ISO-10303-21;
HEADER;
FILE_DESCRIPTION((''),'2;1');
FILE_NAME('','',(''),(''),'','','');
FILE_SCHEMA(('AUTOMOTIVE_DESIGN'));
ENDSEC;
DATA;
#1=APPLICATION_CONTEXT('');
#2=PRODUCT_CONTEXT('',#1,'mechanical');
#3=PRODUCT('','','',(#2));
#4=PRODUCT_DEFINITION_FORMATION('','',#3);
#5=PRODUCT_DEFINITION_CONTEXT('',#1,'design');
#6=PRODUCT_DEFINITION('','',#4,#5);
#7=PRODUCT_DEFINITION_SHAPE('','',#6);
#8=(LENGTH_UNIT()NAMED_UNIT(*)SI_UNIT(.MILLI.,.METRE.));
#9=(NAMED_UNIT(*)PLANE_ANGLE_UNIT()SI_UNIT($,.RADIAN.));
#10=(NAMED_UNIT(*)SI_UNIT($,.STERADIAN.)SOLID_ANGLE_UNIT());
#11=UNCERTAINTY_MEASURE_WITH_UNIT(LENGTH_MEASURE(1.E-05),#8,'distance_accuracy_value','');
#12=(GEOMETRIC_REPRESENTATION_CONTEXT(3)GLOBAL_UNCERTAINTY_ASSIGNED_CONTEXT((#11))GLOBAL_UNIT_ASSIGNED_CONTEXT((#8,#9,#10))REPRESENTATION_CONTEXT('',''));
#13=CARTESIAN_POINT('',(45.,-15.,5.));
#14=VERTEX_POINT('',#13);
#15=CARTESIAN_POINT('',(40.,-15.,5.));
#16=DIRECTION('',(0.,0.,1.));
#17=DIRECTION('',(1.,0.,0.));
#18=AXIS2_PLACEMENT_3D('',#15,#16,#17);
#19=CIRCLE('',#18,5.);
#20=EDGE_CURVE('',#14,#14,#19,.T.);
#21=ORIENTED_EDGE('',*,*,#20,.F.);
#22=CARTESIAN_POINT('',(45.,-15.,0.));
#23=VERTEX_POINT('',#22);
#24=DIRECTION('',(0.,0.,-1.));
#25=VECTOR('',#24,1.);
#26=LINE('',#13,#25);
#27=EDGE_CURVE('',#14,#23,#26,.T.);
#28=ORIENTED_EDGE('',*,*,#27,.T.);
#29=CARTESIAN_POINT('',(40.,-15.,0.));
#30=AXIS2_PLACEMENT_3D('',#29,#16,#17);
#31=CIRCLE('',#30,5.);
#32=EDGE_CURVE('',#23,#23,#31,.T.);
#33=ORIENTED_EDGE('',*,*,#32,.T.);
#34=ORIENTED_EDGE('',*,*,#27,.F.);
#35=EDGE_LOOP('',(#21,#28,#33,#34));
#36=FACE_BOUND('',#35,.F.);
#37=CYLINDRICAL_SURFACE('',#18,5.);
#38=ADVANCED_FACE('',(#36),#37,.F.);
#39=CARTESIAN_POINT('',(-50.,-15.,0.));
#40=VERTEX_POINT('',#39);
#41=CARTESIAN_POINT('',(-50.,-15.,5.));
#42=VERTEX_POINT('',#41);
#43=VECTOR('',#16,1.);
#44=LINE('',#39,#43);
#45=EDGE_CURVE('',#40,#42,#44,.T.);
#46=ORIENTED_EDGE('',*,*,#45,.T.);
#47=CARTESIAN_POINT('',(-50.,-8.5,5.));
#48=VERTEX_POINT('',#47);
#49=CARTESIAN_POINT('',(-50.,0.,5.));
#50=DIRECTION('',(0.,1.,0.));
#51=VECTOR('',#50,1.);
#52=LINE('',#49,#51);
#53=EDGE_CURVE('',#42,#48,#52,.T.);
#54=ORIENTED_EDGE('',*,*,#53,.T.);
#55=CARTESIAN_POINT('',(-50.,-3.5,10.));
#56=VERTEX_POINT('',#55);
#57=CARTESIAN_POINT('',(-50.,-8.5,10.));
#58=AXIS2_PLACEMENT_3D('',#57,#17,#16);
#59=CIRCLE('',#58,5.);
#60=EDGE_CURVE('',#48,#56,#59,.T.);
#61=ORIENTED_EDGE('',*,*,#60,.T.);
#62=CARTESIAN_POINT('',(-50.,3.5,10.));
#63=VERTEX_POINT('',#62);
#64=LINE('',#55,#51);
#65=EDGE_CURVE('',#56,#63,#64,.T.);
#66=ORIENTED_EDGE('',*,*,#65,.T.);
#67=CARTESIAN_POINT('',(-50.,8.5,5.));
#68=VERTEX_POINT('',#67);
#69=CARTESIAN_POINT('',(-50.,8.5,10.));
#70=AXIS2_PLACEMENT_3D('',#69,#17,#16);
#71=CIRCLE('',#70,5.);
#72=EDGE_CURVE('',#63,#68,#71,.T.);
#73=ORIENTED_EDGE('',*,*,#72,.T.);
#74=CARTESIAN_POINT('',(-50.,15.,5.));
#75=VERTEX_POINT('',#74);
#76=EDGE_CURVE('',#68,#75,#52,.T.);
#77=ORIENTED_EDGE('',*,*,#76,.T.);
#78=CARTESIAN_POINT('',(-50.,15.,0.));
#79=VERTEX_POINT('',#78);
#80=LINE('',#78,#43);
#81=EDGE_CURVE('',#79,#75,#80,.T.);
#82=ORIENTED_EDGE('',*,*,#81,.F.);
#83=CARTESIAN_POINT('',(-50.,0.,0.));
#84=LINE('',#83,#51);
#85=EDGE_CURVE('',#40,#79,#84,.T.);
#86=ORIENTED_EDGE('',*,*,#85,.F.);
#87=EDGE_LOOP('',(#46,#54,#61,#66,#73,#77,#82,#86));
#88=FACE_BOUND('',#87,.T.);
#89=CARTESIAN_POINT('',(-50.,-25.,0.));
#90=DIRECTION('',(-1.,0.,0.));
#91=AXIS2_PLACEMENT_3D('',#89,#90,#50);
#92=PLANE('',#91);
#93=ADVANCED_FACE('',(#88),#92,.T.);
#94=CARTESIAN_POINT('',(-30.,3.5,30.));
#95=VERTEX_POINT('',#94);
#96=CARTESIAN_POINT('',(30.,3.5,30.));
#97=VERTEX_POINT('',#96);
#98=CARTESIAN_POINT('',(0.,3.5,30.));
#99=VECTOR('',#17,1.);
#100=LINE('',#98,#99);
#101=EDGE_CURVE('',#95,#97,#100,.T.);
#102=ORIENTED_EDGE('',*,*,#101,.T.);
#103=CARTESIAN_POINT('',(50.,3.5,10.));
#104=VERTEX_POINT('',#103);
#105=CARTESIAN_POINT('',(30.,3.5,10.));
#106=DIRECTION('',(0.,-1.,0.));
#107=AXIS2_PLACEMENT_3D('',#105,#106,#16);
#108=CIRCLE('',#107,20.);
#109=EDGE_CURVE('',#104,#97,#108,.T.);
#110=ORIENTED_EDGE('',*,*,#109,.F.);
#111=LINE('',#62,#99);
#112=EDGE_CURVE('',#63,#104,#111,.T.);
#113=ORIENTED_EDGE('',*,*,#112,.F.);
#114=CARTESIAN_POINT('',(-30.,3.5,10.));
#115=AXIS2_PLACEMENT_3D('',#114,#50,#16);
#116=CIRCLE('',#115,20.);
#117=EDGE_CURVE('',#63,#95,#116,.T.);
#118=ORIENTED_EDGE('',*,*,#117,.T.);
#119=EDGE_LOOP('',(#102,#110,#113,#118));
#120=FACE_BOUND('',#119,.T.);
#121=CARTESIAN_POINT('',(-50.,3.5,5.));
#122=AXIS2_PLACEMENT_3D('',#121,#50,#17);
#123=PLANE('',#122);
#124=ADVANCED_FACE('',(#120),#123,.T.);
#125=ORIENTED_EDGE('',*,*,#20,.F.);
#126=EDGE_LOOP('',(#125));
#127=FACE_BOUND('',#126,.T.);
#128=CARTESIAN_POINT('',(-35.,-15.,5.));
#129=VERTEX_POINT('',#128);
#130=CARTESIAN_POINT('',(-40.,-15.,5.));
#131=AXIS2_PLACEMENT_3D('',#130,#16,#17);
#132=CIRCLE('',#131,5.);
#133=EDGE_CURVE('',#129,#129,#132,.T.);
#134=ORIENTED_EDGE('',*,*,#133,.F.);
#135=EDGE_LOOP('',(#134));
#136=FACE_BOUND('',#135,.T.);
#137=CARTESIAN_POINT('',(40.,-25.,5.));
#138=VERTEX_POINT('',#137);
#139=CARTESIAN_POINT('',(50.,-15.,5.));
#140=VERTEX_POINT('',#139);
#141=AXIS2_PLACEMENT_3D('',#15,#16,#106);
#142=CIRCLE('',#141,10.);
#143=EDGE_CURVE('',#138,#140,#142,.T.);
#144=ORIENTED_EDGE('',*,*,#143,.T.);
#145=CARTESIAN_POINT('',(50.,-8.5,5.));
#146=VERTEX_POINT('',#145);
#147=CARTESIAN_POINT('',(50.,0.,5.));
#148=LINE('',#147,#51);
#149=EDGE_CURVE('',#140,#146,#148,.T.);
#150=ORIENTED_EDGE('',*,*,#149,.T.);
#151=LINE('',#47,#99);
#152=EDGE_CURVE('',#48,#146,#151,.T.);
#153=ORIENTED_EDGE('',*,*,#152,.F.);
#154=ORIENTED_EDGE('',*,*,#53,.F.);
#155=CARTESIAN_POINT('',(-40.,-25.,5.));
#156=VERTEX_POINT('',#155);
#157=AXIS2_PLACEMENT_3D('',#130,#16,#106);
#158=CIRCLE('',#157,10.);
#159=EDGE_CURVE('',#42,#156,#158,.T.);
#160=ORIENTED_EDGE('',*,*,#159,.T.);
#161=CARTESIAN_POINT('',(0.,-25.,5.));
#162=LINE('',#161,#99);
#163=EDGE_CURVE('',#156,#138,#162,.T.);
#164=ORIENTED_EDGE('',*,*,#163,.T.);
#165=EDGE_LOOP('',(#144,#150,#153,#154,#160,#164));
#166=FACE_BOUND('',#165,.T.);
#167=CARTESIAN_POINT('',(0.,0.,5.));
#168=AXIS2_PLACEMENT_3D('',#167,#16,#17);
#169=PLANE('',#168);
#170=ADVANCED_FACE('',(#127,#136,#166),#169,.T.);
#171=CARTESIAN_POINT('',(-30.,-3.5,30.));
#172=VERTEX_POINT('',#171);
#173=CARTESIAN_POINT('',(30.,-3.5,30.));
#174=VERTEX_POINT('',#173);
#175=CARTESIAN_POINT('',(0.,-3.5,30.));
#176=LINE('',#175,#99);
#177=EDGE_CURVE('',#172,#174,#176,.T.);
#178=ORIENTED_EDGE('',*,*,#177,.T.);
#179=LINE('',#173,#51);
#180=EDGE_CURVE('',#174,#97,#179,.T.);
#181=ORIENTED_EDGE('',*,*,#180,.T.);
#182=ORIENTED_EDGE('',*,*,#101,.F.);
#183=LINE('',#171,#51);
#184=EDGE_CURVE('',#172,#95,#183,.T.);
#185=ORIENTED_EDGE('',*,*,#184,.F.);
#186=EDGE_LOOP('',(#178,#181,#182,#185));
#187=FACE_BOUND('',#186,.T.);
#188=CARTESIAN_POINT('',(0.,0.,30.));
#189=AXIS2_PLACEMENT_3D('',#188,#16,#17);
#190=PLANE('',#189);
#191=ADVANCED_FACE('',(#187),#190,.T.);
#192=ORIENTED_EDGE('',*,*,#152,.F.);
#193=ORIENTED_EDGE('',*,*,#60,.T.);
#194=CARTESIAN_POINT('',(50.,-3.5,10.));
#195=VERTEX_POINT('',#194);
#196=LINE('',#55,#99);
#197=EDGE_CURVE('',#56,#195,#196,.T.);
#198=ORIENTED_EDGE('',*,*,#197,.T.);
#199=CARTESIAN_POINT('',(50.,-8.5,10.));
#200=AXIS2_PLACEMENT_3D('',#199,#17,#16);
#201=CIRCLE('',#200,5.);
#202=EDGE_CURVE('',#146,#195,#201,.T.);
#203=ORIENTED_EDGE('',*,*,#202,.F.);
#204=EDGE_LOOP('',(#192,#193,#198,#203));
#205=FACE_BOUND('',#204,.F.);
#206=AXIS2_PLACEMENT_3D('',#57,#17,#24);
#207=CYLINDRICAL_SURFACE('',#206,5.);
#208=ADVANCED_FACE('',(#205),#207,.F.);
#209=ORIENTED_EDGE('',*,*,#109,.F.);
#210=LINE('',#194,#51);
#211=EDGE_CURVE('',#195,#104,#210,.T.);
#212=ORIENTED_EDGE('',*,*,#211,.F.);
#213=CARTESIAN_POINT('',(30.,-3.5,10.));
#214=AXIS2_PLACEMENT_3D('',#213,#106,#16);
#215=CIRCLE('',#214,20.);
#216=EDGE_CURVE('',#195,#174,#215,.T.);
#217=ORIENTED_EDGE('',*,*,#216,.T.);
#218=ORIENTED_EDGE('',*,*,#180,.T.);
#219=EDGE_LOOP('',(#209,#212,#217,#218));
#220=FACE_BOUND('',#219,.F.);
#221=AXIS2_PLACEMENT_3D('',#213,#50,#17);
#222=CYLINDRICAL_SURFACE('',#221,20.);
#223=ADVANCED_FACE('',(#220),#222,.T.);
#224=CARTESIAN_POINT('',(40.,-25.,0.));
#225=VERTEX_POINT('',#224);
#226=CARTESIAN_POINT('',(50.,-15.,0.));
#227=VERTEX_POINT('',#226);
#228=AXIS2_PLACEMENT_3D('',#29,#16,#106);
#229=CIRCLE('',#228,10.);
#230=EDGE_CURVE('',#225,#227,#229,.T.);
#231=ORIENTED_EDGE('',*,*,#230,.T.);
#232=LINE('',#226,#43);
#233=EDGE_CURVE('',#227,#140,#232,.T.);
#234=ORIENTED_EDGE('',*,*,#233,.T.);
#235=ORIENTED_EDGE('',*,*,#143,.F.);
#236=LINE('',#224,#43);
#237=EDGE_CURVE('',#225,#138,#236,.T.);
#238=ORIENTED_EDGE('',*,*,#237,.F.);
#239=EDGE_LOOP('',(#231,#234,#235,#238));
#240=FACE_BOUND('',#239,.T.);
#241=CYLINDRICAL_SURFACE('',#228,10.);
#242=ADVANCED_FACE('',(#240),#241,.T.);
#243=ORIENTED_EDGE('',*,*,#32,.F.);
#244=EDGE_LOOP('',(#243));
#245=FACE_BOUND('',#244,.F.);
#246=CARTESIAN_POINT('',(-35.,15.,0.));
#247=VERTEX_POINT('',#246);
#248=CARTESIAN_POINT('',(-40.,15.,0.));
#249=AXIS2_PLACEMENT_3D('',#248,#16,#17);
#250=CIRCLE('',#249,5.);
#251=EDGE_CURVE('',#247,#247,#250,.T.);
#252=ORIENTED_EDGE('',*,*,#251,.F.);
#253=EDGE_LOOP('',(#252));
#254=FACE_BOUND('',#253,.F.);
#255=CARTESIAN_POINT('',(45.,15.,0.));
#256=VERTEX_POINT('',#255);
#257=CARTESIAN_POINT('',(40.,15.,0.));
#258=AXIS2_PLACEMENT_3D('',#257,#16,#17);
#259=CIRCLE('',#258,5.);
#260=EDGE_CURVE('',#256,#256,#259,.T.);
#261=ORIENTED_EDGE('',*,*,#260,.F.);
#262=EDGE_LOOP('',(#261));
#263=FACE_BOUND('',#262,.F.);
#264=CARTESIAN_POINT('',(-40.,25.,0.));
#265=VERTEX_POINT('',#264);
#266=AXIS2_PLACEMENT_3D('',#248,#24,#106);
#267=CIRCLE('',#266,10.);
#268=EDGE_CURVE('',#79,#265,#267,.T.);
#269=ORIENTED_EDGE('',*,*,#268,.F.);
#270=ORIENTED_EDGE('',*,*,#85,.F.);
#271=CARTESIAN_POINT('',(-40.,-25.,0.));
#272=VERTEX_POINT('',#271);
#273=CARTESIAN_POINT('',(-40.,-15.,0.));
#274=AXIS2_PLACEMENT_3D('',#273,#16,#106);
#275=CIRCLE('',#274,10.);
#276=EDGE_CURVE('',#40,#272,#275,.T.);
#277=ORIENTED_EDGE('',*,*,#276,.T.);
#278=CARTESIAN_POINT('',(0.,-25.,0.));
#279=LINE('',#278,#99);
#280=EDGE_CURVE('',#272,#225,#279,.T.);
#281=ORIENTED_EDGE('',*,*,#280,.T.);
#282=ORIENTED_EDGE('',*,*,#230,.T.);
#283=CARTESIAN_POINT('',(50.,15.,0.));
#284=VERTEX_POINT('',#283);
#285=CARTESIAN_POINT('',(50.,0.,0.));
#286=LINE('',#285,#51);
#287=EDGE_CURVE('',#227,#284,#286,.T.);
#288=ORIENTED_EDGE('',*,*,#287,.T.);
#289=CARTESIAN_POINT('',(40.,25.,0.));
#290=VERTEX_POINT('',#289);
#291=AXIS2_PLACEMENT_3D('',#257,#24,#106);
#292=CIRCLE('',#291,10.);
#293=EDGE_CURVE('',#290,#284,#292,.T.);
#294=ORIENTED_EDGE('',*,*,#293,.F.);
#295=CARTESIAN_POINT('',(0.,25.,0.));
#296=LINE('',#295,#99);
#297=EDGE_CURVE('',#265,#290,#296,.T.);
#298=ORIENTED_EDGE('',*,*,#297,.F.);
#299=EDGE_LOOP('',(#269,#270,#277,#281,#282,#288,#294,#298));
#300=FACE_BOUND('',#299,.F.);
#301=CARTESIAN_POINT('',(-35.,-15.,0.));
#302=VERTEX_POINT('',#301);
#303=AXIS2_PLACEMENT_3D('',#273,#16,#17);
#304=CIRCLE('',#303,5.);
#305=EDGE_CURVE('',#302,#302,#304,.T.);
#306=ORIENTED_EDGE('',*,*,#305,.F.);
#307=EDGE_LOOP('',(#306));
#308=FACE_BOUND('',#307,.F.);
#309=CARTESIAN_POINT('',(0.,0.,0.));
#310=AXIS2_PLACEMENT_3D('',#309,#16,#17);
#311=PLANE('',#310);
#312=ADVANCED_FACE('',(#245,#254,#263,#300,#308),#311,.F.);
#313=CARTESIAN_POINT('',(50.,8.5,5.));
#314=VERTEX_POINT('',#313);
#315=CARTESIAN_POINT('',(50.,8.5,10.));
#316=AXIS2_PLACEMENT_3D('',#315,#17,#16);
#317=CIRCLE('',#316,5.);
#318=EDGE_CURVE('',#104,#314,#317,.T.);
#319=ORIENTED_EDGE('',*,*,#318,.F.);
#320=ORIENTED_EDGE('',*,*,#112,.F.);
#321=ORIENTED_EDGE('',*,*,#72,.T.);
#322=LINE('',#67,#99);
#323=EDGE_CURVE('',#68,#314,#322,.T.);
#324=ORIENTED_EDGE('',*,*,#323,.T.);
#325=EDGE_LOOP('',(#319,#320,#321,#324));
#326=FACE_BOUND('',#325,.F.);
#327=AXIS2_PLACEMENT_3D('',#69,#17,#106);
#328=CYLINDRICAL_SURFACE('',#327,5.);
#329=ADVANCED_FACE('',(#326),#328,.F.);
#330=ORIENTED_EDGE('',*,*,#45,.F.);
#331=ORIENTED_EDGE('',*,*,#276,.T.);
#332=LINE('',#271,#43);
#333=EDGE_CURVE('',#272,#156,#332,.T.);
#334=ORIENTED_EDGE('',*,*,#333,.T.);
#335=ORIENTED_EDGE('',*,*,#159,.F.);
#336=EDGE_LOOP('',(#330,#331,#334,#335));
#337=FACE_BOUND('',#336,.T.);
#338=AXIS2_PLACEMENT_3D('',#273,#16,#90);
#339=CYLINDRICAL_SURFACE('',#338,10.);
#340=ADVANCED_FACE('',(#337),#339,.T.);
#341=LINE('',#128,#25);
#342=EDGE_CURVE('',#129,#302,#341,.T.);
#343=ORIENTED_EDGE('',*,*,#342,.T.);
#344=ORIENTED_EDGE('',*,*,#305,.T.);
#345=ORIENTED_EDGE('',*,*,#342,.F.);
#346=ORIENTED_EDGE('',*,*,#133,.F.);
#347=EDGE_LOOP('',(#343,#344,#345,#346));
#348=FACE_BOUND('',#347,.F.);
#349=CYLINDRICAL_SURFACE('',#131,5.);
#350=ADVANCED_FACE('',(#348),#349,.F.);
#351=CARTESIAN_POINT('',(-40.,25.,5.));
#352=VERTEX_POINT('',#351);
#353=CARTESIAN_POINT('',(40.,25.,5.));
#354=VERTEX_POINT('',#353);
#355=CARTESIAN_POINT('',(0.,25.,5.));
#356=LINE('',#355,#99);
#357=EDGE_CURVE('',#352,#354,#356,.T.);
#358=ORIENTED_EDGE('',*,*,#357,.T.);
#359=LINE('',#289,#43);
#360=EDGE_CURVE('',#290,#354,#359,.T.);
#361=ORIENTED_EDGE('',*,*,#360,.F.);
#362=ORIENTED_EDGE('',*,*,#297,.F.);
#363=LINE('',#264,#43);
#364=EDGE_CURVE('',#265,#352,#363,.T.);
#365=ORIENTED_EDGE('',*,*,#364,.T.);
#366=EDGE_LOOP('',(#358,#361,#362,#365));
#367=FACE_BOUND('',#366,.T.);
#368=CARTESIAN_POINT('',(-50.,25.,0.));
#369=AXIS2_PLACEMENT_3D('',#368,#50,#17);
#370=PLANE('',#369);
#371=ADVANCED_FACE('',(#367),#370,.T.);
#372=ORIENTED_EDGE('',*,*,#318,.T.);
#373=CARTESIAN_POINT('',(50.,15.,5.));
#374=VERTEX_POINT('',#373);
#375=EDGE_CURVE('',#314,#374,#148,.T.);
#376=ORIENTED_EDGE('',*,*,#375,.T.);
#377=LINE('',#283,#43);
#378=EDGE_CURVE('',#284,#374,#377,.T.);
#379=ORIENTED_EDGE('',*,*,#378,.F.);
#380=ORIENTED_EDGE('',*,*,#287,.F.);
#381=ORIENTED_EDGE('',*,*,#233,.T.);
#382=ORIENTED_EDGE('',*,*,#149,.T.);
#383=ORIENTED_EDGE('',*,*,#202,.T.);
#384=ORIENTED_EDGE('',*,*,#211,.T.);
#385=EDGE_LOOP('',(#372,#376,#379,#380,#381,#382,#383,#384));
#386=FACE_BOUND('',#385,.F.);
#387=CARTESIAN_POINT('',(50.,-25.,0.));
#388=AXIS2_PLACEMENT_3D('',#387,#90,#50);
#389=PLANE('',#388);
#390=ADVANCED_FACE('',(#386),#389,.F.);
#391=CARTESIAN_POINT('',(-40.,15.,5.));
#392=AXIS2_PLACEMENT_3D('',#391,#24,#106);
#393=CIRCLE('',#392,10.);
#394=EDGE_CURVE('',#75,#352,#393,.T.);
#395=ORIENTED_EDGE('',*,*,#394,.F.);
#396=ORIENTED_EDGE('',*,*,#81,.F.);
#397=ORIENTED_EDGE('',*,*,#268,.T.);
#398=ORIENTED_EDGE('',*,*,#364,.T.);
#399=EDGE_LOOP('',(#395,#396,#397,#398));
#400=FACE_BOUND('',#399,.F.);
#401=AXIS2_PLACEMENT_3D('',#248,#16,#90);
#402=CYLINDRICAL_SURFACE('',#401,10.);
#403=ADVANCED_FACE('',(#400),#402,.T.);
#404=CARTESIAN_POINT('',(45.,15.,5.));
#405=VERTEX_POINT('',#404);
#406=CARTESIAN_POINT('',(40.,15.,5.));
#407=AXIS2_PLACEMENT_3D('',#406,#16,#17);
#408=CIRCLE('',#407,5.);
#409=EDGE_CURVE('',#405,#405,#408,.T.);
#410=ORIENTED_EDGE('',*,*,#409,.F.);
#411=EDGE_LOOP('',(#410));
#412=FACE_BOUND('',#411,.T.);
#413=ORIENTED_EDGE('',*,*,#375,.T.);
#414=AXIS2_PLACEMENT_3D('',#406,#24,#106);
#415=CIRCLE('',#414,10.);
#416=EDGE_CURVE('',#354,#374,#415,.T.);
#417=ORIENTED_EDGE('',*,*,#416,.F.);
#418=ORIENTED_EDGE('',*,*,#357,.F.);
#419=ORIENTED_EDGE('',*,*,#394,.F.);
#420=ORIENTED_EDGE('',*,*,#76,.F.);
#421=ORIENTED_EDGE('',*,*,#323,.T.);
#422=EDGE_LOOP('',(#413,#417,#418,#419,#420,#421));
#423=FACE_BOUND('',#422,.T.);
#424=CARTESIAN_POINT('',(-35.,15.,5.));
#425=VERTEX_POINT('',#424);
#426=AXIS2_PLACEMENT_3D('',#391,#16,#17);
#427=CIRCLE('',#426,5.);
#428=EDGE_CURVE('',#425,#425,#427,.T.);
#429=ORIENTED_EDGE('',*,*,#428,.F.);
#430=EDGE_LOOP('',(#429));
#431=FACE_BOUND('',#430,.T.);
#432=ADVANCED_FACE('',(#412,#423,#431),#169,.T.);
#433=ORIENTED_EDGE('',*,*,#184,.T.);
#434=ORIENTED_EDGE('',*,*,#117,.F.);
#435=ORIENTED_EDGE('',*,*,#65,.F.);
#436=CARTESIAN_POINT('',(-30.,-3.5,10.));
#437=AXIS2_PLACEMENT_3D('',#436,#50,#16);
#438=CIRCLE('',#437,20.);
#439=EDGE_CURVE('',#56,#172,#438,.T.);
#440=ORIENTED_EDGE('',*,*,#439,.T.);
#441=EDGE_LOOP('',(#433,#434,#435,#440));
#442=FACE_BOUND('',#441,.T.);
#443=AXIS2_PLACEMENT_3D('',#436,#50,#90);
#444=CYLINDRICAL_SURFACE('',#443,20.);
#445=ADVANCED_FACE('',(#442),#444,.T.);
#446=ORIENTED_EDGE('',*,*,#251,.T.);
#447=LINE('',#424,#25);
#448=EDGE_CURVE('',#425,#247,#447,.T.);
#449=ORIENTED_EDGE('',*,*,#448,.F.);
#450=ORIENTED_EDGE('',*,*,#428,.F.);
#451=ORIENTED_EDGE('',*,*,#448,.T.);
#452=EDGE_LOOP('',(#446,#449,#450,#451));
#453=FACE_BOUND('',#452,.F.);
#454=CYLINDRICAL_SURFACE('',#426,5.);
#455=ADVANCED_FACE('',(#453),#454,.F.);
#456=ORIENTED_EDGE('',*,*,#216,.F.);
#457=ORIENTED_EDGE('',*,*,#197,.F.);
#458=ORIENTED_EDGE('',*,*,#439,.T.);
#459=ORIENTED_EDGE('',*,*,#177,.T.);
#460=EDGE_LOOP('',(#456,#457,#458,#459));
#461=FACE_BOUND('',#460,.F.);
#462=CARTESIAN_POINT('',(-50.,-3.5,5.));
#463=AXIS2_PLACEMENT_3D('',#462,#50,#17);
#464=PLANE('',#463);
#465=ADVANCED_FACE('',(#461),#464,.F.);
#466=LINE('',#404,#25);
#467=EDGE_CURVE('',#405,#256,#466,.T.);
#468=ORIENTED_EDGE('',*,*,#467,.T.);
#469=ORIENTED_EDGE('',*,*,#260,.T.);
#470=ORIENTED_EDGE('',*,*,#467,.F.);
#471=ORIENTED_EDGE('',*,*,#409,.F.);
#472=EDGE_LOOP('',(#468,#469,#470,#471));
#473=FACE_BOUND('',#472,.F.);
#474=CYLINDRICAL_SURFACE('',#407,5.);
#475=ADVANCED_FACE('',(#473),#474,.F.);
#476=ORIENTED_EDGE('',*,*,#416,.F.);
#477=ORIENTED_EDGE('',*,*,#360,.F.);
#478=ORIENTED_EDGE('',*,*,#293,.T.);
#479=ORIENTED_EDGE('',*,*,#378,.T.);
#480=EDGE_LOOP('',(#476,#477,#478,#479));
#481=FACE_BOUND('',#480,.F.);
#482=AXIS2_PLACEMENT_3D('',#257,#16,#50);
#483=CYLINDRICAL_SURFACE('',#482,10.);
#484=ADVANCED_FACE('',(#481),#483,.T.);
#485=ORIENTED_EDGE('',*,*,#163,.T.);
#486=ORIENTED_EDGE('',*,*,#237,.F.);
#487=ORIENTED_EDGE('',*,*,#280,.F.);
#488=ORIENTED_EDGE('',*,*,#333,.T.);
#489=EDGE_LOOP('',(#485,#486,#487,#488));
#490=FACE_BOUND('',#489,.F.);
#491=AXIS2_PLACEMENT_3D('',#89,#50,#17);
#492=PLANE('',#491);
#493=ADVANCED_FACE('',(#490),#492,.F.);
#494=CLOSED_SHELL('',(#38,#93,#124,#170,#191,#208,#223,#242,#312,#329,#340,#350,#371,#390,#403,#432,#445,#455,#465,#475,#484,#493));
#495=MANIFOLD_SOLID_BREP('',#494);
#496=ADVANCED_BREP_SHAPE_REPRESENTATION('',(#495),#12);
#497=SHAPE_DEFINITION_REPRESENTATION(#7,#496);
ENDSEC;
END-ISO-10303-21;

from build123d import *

# Parameters (mm, degrees)
SKETCH_W     = 100
SKETCH_H     = 50
PAD_DEPTH    = 5
SKETCH001_R  = 5
POCKET_DEPTH = 5
SKETCH002_W  = 100
SKETCH002_H  = 7
PAD001_DEPTH = 25
FILLET_R     = 20
FILLET001_R  = 10
FILLET002_R  = 5


with BuildPart() as part:
    # Sketch → Pad (new body)
    with BuildSketch(Plane.XY):
        Rectangle(SKETCH_W, SKETCH_H)
    extrude(amount=PAD_DEPTH)

    # Sketch001 (on Face6 of Pad) → Pocket (cut)
    with BuildSketch(Plane.XY.offset(5)):
        with Locations((-40, 15)):
            Circle(SKETCH001_R)
        with Locations((40, 15)):
            Circle(SKETCH001_R)
        with Locations((40, -15)):
            Circle(SKETCH001_R)
        with Locations((-40, -15)):
            Circle(SKETCH001_R)
    extrude(amount=-POCKET_DEPTH, mode=Mode.SUBTRACT)

    # Sketch002 (on Face5 of Pocket) → Pad001 (join)
    with BuildSketch(Plane.XY.offset(5)):
        Rectangle(SKETCH002_W, SKETCH002_H)
    extrude(amount=PAD001_DEPTH)

    # Fillet
    fillet_edges = [part.edges().sort_by_distance(p)[0] for p in [
        (-50, 0, 30),
        (50, 0, 30),
    ]]
    fillet(fillet_edges, radius=FILLET_R)

    # Fillet001
    fillet001_edges = [part.edges().sort_by_distance(p)[0] for p in [
        (50, -25, 2.5),
        (-50, -25, 2.5),
        (-50, 25, 2.5),
        (50, 25, 2.5),
    ]]
    fillet(fillet001_edges, radius=FILLET001_R)

    # Fillet002
    fillet002_edges = [part.edges().sort_by_distance(p)[0] for p in [
        (0, -3.5, 5),
        (0, 3.5, 5),
    ]]
    fillet(fillet002_edges, radius=FILLET002_R)


solid = part.part
